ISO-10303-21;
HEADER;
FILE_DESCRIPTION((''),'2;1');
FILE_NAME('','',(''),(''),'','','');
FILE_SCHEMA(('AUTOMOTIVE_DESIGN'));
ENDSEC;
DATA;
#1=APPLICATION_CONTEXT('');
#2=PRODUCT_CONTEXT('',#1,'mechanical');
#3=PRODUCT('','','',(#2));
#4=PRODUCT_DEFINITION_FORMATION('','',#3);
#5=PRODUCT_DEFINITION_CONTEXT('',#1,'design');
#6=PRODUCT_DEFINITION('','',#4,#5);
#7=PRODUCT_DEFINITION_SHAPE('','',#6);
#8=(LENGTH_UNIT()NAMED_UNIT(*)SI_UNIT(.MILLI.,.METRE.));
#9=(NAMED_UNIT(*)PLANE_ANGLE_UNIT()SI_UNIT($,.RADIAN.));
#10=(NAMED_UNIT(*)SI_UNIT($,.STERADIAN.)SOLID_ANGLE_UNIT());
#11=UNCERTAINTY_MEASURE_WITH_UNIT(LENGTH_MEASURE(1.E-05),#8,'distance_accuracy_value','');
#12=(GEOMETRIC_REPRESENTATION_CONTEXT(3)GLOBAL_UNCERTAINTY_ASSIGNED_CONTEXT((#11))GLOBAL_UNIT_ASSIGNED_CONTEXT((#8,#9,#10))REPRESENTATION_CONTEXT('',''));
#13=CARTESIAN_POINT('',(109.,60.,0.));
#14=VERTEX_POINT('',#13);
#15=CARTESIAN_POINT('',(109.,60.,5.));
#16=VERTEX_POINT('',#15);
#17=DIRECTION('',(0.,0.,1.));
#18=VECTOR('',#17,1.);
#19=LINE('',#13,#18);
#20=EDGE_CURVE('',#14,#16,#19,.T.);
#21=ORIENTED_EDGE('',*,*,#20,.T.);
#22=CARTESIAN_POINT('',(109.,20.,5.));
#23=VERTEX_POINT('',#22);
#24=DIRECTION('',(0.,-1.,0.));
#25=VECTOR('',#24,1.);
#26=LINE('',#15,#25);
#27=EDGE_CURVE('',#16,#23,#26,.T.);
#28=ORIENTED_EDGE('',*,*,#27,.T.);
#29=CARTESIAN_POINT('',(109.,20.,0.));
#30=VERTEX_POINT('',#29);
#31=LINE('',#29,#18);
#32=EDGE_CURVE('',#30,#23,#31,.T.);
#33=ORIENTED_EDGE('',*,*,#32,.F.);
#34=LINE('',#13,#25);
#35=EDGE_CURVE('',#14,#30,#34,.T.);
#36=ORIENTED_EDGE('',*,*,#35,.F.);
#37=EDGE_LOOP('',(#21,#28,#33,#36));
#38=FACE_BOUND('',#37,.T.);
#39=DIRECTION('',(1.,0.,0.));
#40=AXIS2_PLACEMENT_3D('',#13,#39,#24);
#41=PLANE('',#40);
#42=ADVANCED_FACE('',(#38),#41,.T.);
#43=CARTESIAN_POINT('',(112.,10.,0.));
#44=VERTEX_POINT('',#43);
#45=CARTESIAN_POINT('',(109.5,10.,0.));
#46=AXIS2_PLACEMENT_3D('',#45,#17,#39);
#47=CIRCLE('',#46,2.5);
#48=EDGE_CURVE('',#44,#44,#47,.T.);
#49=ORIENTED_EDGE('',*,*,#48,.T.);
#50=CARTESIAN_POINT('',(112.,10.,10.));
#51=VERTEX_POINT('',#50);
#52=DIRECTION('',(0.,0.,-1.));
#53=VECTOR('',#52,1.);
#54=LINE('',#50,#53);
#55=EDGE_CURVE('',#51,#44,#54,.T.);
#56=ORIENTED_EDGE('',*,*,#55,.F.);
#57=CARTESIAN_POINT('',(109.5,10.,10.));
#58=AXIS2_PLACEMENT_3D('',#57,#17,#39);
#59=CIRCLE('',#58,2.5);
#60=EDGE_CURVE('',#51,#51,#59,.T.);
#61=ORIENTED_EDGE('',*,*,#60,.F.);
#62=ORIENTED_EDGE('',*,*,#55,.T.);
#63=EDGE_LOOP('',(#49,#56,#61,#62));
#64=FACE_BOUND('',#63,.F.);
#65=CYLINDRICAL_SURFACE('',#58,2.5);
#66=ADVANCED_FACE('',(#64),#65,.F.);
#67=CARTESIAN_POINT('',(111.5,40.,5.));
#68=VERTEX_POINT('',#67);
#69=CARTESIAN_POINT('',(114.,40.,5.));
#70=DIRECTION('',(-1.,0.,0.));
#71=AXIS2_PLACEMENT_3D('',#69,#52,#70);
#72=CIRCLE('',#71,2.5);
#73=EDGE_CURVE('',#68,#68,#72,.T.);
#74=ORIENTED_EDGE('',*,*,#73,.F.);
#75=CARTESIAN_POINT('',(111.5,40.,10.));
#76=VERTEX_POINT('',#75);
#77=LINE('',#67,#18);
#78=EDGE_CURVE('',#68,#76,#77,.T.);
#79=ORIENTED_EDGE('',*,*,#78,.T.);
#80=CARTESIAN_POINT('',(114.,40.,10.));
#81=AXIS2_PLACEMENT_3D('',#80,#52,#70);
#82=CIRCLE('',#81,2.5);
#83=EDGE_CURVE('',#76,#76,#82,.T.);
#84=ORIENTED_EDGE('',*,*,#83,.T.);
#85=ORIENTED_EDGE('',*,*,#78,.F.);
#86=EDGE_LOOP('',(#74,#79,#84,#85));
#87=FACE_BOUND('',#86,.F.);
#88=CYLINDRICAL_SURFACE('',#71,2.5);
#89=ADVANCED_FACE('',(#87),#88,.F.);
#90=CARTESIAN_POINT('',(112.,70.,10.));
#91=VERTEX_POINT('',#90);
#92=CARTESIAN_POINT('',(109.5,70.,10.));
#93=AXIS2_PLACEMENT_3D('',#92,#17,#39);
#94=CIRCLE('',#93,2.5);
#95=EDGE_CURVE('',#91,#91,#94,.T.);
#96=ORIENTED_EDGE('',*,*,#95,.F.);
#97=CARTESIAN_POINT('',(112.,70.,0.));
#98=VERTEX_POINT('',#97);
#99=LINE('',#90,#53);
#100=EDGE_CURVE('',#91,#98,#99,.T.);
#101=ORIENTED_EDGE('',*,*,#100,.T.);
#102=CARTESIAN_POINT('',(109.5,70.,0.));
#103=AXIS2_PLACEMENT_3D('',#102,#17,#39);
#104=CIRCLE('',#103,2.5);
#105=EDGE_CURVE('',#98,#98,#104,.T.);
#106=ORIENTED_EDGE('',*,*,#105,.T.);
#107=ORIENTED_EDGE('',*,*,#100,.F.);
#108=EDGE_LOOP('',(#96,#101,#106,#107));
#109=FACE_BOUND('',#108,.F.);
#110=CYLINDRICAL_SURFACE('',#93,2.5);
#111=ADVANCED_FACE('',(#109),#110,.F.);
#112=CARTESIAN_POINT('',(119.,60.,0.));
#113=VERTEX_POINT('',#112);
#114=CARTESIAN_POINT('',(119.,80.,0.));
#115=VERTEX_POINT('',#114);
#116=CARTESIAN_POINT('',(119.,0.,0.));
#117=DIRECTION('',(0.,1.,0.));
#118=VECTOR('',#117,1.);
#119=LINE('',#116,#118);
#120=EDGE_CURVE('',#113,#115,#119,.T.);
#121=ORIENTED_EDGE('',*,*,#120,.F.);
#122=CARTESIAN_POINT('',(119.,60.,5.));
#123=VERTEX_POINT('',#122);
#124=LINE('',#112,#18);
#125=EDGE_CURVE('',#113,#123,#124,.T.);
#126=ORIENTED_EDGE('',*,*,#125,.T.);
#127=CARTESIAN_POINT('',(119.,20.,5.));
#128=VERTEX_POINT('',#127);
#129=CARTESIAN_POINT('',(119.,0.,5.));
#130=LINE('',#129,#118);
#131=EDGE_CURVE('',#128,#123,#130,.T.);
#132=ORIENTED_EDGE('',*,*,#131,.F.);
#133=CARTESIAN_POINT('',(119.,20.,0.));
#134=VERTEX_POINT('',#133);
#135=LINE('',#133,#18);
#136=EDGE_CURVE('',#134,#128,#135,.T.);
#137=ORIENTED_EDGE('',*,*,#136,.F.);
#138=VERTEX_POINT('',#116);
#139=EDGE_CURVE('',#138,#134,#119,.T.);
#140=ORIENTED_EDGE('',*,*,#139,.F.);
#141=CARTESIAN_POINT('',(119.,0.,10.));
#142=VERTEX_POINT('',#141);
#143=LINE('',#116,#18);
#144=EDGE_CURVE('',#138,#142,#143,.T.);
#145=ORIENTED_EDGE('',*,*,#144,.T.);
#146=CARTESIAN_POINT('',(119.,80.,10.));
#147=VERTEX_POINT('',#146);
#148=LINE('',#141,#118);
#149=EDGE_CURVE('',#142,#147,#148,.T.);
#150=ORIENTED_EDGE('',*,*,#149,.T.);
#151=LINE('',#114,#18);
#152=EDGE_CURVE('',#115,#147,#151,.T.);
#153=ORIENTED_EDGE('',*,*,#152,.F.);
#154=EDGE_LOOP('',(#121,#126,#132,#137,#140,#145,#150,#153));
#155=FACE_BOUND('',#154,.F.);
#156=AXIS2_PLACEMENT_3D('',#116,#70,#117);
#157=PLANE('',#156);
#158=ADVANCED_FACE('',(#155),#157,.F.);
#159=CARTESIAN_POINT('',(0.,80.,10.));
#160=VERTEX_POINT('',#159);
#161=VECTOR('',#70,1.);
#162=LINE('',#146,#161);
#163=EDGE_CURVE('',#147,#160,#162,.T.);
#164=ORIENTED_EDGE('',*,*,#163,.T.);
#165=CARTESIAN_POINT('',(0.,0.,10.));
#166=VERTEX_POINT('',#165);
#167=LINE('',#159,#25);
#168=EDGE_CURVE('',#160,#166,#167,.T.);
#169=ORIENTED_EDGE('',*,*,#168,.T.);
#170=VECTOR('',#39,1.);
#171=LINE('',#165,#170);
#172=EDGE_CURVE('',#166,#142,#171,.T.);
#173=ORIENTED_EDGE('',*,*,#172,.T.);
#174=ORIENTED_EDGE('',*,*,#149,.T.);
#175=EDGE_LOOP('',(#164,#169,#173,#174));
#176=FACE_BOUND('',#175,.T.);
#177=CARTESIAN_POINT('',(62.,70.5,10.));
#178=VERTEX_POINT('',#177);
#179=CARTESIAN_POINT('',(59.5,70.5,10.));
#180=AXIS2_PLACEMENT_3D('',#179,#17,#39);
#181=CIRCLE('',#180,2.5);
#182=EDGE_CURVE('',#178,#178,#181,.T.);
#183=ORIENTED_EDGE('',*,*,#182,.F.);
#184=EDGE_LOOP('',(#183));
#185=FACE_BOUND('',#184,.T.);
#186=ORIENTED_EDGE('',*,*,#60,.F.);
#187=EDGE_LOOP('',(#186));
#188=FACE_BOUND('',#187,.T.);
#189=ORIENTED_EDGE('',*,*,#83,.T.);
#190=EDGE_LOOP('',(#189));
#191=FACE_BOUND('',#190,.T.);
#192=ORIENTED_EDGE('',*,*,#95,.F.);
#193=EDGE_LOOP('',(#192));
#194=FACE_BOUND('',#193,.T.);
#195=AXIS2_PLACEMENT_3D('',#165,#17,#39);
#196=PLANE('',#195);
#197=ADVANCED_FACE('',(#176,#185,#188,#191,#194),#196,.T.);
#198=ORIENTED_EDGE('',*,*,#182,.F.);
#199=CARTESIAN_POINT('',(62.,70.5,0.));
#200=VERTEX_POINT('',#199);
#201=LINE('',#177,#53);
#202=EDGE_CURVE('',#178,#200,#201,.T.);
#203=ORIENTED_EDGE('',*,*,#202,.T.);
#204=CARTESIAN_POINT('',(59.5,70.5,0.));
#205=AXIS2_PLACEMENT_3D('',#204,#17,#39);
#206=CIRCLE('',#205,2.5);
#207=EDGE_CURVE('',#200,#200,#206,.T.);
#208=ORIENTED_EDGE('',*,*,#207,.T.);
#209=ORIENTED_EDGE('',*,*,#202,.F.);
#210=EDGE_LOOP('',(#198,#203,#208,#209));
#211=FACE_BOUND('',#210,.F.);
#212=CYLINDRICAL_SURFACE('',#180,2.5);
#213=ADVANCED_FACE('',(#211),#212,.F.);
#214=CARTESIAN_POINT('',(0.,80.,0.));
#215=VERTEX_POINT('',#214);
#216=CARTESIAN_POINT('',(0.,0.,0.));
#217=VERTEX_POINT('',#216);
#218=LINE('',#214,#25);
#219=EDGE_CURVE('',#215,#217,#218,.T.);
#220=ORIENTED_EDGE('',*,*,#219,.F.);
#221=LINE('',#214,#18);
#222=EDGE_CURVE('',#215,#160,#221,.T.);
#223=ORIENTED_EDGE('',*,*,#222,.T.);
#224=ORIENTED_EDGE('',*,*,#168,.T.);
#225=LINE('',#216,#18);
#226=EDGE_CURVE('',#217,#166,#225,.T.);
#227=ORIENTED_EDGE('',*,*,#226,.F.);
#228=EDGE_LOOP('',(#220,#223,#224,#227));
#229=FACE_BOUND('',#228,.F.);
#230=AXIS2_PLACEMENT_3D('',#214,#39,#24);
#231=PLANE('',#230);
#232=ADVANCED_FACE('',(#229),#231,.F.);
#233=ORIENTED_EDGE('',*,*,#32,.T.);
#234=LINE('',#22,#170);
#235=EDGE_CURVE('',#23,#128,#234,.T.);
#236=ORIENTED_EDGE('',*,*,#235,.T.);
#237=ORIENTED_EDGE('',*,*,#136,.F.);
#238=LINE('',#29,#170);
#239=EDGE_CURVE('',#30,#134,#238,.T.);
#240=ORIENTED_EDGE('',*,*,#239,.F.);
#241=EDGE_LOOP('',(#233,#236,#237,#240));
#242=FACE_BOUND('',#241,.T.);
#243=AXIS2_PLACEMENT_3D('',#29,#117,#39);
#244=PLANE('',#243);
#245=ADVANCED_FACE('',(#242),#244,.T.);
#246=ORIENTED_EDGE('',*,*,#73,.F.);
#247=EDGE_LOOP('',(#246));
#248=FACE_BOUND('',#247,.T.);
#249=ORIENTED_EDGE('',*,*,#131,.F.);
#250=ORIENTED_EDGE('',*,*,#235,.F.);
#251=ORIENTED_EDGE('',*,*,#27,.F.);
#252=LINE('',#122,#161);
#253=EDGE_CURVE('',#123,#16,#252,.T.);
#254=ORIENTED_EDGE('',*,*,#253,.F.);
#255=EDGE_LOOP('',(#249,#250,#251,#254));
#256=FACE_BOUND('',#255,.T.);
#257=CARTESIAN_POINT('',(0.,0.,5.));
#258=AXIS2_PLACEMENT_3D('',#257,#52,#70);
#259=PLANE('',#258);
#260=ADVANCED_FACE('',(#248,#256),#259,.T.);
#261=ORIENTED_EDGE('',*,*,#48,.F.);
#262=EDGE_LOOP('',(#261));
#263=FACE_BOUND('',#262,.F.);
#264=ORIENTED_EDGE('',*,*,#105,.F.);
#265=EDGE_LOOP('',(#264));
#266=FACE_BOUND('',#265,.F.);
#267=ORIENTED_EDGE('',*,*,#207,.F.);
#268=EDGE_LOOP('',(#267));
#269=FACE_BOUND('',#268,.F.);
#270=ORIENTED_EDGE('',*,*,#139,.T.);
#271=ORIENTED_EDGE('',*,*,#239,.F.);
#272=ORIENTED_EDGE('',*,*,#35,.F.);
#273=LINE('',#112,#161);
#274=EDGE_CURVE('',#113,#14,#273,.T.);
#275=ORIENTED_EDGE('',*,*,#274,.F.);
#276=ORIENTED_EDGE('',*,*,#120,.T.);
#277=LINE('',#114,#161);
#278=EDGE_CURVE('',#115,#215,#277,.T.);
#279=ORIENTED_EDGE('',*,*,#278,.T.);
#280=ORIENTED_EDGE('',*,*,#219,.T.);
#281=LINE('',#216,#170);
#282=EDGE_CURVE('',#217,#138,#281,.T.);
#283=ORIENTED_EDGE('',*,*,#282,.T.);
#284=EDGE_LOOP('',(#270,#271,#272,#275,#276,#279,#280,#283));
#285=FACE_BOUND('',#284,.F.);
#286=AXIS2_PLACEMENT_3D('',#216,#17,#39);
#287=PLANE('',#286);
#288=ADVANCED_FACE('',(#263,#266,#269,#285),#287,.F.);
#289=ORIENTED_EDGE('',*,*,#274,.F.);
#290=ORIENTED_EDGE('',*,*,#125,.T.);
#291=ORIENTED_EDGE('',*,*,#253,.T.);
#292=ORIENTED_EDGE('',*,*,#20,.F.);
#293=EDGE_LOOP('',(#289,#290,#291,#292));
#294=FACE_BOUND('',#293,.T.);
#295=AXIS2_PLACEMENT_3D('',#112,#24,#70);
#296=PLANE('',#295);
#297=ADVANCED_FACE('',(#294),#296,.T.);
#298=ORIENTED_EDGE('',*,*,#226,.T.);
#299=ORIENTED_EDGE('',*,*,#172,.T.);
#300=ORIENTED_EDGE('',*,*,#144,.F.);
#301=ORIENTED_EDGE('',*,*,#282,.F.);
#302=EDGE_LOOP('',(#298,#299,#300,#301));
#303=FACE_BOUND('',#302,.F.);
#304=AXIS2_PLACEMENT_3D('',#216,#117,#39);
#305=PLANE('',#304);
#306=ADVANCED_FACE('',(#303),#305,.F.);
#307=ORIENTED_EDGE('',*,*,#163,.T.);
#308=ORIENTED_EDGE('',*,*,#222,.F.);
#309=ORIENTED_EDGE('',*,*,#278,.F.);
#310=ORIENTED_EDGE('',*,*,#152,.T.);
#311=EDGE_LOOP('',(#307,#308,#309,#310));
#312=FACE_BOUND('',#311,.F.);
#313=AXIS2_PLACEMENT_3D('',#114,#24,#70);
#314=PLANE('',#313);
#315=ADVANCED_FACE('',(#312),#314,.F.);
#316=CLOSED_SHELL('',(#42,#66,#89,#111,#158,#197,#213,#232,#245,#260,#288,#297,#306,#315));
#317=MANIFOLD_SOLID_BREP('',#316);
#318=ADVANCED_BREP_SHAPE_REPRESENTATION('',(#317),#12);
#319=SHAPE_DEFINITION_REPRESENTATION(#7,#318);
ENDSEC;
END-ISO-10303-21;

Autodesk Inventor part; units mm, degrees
ref_plane "YZ Plane" through (0, 0, 0) normal (1, 0, 0) x (0, 1, 0)
ref_plane "XZ Plane" through (0, 0, 0) normal (0, 1, 0) x (-1, 0, 0)
ref_plane "XY Plane" through (0, 0, 0) normal (0, 0, 1) x (1, 0, 0)
sketch "Sketch1" plane through (0, 0, 0) normal (0, 0, 1) x (1, 0, 0)
  line L0 (0, 0) -> (119, 0)
  line L1 (119, 0) -> (119, 80)
  line L2 (119, 80) -> (0, 80)
  line L3 (0, 80) -> (0, 0)
  dimension "d0" = 119
  dimension "d1" = 80
extrude "Extrusion1" add sketch "Sketch1" along normal blind 10
sketch "Sketch2" plane through (0, 0, 10) normal (0, 0, 1) x (1, 0, 0)
  circle A0 centre (109.5, 70) radius 2.5
  circle A1 centre (109.5, 10) radius 2.5
  line L0 (119, 80) -> (0, 80) projected
  line L1 (119, 0) -> (119, 80) projected
  point P0 (0, 0)
  dimension "d4" = 5
  dimension "d5" = 5
  dimension "d6" = 10
  dimension "d7" = 60
  dimension "d8" = 9.5
extrude "Extrusion2" cut sketch "Sketch2" against normal through all
sketch "Sketch3" plane through (0, 0, 0) normal (0, 0, -1) x (-1, 0, 0)
  line L0 (-119, 0) -> (-119, 80) projected
  line L1 (-119, 60) -> (-109, 60)
  line L2 (-109, 60) -> (-109, 20)
  line L3 (-109, 20) -> (-119, 20)
  line L4 (-119, 20) -> (-119, 60)
  line L5 (-119, 80) -> (0, 80) projected
  point P0 (0, 0)
  dimension "d11" = 10
  dimension "d12" = 40
  dimension "d13" = 20
extrude "Extrusion3" cut sketch "Sketch3" against normal blind 5
sketch "Sketch4" plane through (0, 0, 5) normal (0, 0, -1) x (-1, 0, 0)
  line L0 (-109, 60) -> (-119, 60)
  line L1 (-119, 60) -> (-119, 20)
  line L2 (-119, 20) -> (-109, 20)
  line L3 (-109, 20) -> (-109, 60)
  line L4 (-119, 80) -> (0, 80) projected
  line L5 (-119, 0) -> (-119, 80) projected
  circle A0 centre (-114, 40) radius 2.5
  point P0 (0, 0)
  point P1 (-119, 20)
  point P2 (-119, 40)
  point P3 (-114, 60)
  point P4 (-119, 40)
  dimension "d18" = 10
  dimension "d19" = 40
  dimension "d20" = 20
  dimension "d21" = 5
extrude "Extrusion4" cut sketch "Sketch4" against normal through all contours A0
sketch "Sketch5" plane through (0, 0, 10) normal (0, 0, 1) x (1, 0, 0)
  circle A0 centre (59.5, 70.5) radius 2.5
  line L0 (119, 80) -> (0, 80) projected
  point P0 (0, 0)
  point P1 (59.5, 80)
  dimension "d24" = 5
  dimension "d25" = 9.5
extrude "Extrusion5" cut sketch "Sketch5" against normal through all
properties part number "SP004" material "ABS Plastic"
